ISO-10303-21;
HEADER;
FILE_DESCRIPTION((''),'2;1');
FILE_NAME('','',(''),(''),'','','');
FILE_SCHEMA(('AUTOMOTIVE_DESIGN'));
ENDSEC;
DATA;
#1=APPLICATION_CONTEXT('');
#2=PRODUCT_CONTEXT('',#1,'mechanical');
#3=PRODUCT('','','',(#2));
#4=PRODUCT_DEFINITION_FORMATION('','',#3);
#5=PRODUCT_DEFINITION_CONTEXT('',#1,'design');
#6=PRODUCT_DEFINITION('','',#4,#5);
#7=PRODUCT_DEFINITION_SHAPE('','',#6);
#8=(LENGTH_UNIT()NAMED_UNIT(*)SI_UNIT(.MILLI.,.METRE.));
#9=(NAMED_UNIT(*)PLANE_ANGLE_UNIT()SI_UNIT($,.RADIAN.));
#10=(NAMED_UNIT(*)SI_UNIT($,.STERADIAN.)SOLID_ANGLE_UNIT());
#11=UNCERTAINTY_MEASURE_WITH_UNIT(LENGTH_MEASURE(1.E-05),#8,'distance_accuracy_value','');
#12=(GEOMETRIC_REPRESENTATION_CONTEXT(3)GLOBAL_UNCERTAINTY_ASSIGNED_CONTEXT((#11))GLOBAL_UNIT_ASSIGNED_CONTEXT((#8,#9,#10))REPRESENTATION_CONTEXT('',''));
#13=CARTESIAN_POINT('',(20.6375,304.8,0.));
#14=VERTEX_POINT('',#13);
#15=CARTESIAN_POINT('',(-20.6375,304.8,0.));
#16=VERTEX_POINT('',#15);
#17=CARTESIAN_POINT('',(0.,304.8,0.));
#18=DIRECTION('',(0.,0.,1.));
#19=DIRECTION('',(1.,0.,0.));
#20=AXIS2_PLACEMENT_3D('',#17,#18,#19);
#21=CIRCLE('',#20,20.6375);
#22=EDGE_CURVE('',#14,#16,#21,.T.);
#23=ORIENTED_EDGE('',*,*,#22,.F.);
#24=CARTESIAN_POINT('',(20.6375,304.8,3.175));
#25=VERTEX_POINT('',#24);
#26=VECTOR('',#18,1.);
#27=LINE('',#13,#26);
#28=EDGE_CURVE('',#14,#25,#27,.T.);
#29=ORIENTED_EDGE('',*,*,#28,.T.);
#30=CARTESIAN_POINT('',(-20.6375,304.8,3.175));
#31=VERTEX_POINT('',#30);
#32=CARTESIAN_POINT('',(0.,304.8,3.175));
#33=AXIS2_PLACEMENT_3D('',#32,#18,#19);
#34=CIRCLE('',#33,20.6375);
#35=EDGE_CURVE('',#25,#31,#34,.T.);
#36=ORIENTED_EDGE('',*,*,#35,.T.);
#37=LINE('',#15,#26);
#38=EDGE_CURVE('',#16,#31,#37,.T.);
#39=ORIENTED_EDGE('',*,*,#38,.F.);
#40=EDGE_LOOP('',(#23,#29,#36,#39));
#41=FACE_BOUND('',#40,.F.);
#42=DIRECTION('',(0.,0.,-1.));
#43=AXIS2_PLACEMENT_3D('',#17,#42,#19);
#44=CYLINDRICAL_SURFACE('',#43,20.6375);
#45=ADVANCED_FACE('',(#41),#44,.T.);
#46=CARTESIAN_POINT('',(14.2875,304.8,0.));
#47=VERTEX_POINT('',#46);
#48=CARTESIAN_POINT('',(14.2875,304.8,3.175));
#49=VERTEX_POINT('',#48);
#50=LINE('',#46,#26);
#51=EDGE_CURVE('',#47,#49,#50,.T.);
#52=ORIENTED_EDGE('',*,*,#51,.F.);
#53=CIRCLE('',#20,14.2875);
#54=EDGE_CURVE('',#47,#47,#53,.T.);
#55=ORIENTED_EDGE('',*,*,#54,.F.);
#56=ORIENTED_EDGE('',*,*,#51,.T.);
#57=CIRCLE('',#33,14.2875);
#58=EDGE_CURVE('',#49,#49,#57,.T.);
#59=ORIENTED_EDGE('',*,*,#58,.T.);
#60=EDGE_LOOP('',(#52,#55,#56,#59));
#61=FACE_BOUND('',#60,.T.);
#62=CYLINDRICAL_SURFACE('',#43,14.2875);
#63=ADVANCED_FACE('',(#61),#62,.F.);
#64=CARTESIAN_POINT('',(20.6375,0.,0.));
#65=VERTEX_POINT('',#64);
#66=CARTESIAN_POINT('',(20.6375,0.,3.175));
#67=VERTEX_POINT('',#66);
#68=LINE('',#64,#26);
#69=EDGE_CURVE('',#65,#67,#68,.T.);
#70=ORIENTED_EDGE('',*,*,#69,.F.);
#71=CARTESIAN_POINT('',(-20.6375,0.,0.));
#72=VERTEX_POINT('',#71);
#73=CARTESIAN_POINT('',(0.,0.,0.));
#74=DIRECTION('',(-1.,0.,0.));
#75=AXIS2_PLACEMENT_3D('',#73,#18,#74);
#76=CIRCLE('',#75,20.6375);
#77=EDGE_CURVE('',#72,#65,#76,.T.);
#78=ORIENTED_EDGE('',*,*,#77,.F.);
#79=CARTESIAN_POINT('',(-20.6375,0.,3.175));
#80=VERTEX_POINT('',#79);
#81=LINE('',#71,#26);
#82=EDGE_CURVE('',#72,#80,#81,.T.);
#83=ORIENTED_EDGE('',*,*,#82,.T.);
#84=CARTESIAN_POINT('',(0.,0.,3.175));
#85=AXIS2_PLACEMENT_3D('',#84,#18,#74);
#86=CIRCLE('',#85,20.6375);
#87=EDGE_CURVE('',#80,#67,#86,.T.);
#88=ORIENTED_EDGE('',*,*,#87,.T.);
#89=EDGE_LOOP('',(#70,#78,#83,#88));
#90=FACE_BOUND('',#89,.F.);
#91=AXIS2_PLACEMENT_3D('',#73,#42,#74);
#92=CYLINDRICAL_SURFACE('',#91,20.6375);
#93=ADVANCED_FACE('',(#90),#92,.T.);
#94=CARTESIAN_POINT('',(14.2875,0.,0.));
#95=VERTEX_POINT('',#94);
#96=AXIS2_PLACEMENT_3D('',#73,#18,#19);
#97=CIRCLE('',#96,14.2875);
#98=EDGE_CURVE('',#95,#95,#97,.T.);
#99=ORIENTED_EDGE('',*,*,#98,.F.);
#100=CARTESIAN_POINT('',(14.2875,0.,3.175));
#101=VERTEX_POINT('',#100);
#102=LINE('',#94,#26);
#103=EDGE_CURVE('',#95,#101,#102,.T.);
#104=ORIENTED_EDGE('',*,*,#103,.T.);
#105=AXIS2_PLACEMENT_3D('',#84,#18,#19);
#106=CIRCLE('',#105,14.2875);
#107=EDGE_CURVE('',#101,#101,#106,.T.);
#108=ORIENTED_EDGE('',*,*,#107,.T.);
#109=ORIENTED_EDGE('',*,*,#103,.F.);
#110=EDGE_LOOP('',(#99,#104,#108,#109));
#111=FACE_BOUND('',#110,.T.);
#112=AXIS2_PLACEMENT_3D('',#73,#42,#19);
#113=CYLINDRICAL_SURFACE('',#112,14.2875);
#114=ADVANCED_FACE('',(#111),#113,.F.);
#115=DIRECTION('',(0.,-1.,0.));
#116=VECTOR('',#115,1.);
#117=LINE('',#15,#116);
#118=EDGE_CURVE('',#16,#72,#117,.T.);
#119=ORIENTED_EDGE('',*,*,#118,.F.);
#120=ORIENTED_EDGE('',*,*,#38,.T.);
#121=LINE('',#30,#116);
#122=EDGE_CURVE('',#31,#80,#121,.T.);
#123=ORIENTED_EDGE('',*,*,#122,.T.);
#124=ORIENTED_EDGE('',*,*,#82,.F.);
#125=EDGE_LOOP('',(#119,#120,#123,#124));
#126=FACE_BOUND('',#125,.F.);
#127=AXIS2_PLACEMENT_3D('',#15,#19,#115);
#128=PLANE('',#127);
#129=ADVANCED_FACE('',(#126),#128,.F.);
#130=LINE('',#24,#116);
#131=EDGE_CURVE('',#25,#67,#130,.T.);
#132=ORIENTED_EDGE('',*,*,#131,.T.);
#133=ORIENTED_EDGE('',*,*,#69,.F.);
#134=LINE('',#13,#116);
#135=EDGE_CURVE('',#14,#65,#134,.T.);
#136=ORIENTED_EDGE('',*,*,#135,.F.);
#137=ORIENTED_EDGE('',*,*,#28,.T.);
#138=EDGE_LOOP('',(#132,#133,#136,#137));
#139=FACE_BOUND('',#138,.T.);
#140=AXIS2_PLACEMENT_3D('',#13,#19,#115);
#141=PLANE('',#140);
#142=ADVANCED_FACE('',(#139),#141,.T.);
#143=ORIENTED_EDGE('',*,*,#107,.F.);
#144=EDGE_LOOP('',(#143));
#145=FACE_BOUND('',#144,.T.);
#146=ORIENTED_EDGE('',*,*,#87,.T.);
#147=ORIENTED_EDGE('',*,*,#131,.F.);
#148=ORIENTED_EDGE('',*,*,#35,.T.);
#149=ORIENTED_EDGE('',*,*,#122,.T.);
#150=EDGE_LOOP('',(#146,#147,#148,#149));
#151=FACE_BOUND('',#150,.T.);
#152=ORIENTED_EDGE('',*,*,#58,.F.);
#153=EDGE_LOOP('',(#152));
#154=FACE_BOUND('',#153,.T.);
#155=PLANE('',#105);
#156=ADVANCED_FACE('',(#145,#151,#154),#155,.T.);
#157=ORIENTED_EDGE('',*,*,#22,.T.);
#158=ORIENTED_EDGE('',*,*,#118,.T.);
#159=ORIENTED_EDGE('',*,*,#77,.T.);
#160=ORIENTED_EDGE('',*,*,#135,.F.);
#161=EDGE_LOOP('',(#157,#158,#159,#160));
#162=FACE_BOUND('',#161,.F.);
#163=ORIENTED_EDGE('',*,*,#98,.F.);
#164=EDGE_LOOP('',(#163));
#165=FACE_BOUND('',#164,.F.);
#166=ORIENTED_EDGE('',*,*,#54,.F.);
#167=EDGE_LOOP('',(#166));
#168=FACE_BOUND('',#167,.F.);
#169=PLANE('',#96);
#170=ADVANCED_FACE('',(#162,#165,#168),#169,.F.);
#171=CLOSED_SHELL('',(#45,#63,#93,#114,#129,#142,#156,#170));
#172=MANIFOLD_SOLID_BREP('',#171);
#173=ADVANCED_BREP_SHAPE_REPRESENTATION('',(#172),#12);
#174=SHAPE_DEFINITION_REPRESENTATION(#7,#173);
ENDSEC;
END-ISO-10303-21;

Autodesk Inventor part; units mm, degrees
ref_plane "YZ Plane" through (0, 0, 0) normal (1, 0, 0) x (0, 1, 0)
ref_plane "XZ Plane" through (0, 0, 0) normal (0, 1, 0) x (-1, 0, 0)
ref_plane "XY Plane" through (0, 0, 0) normal (0, 0, 1) x (1, 0, 0)
sketch "Sketch1" plane through (0, 0, 0) normal (0, 0, 1) x (1, 0, 0)
  circle A0 centre (0, 0) radius 14.2875
  circle A1 centre (0, 304.8) radius 14.2875
  arc A2 (-20.6375, 0) -> (20.6375, 0) centre (0, 0) ccw
  arc A3 (20.6375, 304.8) -> (-20.6375, 304.8) centre (0, 304.8) ccw
  line L0 (-20.6375, 304.8) -> (-20.6375, 0)
  line L1 (20.6375, 304.8) -> (20.6375, 0)
  arc A4 (-20.6375, 304.8) -> (20.6375, 304.8) centre (0, 304.8) ccw construction
  arc A5 (20.6375, 0) -> (-20.6375, 0) centre (0, 0) ccw construction
  dimension "d0" = 28.575
  dimension "d2" = 6.35
  dimension "d3" = 304.8
extrude "Extrusion1" add sketch "Sketch1" along normal blind 3.175
properties part number "forearm-panel"
